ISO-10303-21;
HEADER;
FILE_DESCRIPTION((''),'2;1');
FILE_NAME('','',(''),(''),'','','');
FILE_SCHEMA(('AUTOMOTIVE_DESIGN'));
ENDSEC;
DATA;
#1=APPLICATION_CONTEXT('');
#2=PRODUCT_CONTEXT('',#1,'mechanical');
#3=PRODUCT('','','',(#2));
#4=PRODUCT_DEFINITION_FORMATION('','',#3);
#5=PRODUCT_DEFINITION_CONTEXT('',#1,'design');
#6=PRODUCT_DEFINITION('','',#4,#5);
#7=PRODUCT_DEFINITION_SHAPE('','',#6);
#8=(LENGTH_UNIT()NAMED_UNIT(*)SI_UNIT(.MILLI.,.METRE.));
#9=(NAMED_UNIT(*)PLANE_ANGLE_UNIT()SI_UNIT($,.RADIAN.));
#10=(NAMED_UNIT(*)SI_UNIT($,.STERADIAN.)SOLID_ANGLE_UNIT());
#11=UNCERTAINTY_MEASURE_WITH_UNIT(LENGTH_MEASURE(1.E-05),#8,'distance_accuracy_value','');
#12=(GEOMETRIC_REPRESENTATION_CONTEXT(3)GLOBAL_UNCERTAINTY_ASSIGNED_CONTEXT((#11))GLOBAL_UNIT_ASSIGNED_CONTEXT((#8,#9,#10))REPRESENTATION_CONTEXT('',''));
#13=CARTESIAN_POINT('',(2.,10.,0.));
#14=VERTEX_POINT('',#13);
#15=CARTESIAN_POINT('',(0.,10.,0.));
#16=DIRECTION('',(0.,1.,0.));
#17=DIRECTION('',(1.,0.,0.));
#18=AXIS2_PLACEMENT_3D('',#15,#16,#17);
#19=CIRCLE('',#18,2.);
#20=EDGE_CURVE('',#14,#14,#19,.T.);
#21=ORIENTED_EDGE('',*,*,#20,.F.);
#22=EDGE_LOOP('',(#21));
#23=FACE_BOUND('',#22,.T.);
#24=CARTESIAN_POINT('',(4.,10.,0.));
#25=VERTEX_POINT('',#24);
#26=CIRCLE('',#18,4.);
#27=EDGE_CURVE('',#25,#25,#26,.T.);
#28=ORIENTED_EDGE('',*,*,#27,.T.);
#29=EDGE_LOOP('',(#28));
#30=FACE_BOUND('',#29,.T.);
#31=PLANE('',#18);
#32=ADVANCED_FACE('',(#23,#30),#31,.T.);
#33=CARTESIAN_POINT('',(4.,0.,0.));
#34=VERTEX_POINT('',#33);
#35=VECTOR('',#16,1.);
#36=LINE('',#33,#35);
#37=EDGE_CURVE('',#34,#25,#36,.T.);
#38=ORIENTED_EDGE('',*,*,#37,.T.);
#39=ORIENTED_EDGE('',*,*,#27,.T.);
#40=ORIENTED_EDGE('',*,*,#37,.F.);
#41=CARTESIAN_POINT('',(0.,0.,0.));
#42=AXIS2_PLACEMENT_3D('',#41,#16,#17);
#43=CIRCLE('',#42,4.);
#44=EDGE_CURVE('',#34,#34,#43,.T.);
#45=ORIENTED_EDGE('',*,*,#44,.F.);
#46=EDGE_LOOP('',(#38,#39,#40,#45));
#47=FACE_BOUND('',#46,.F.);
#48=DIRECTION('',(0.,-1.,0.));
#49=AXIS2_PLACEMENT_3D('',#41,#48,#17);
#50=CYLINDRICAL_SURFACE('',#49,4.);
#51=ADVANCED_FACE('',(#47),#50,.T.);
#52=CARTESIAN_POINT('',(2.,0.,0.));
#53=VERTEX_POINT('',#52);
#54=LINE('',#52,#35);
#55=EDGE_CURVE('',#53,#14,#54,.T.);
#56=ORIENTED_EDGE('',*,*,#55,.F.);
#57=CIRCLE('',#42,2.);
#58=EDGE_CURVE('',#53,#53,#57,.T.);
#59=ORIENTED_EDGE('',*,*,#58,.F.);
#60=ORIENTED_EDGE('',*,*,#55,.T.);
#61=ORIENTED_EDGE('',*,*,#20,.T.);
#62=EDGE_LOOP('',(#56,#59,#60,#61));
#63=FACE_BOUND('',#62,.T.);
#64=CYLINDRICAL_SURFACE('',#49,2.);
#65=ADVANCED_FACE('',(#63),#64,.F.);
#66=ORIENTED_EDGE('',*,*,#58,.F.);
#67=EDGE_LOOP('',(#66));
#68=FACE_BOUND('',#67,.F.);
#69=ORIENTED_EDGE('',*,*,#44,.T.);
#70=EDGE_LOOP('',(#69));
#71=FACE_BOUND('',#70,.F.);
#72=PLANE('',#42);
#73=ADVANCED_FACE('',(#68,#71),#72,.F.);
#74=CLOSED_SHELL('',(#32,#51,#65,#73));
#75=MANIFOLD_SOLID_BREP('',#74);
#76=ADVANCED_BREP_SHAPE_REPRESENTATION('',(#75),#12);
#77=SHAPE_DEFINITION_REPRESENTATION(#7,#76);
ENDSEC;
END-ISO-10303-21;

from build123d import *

# Parameters (mm, degrees)
SKETCH1_R           = 4
SKETCH1_R_2         = 2
EXTRUDE_THIN1_DEPTH = 10


with BuildPart() as part:
    # Sketch1 → Extrude-Thin1 (new body)
    with BuildSketch(Plane(origin=(0, 0, 0), x_dir=(1, 0, 0), z_dir=(0, 1, 0))):
        Circle(SKETCH1_R)
        Circle(SKETCH1_R_2, mode=Mode.SUBTRACT)
    extrude(amount=EXTRUDE_THIN1_DEPTH)


solid = part.part
